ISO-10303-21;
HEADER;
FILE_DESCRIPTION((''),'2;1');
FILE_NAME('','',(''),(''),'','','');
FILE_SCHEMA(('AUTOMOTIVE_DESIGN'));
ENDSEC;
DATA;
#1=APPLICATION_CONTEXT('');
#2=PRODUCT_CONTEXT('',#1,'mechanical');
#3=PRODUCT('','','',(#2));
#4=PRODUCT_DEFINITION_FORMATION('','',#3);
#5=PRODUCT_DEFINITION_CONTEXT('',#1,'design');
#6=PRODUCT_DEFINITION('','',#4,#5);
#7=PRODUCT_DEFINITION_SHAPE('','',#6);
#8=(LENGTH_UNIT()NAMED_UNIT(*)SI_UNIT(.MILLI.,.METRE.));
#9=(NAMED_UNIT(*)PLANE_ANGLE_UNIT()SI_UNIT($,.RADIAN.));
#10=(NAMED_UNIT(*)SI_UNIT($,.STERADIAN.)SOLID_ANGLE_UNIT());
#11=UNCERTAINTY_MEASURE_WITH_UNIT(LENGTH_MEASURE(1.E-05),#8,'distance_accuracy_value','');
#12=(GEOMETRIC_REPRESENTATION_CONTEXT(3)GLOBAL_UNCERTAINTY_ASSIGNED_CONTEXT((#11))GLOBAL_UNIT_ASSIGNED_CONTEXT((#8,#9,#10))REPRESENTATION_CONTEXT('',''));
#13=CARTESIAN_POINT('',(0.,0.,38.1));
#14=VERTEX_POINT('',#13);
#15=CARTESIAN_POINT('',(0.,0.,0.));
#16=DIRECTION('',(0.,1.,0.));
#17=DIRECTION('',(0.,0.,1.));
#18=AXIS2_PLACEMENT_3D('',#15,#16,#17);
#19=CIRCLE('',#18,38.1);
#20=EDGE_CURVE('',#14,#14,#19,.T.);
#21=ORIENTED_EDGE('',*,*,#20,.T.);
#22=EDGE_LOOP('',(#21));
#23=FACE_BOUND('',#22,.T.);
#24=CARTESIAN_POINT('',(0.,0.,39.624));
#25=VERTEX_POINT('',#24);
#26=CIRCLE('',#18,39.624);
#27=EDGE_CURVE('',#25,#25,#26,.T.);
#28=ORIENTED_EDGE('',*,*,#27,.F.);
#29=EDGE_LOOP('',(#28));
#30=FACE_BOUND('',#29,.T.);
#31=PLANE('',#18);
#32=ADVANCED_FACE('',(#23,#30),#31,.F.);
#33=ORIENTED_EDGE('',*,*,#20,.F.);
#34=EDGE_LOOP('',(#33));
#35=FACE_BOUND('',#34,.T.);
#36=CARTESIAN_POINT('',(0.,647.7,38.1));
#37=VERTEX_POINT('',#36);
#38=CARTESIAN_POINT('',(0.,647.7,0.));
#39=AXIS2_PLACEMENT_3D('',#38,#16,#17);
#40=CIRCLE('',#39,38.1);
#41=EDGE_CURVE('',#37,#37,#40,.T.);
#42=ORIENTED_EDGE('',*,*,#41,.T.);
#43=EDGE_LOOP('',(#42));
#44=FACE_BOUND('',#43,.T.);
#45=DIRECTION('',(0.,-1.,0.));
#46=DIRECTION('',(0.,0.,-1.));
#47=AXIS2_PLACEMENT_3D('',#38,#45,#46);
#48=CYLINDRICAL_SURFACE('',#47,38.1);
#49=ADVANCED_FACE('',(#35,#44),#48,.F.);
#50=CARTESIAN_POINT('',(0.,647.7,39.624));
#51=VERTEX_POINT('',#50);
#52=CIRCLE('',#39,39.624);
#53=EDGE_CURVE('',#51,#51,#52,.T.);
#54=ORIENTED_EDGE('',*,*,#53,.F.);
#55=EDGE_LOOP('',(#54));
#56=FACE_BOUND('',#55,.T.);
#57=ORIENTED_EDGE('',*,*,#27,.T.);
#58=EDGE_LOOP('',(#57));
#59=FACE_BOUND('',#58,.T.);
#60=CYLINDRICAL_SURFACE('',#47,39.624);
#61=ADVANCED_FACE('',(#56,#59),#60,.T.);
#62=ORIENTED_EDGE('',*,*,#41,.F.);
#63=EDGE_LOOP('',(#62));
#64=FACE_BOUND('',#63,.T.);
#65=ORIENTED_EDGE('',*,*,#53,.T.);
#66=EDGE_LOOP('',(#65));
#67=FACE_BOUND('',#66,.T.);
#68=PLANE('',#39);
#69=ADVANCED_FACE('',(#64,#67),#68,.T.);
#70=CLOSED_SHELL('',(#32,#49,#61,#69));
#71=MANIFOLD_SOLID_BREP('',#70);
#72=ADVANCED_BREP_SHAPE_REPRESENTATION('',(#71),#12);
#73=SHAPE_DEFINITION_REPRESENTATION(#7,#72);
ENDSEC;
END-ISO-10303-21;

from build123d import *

# Parameters (mm, degrees)
SKETCH1_R           = 39.624
SKETCH1_R_2         = 38.1
BOSS_EXTRUDE1_DEPTH = 647.7


with BuildPart() as part:
    # Sketch1 → Boss-Extrude1 (new body)
    with BuildSketch(Plane(origin=(0, 0, 0), x_dir=(1, 0, 0), z_dir=(0, 1, 0))):
        with Locations(Location((0, 0, 0), (0, 0, 270))):
            Circle(SKETCH1_R)
        with Locations(Location((0, 0, 0), (0, 0, 270))):
            Circle(SKETCH1_R_2, mode=Mode.SUBTRACT)
    extrude(amount=BOSS_EXTRUDE1_DEPTH)


solid = part.part
